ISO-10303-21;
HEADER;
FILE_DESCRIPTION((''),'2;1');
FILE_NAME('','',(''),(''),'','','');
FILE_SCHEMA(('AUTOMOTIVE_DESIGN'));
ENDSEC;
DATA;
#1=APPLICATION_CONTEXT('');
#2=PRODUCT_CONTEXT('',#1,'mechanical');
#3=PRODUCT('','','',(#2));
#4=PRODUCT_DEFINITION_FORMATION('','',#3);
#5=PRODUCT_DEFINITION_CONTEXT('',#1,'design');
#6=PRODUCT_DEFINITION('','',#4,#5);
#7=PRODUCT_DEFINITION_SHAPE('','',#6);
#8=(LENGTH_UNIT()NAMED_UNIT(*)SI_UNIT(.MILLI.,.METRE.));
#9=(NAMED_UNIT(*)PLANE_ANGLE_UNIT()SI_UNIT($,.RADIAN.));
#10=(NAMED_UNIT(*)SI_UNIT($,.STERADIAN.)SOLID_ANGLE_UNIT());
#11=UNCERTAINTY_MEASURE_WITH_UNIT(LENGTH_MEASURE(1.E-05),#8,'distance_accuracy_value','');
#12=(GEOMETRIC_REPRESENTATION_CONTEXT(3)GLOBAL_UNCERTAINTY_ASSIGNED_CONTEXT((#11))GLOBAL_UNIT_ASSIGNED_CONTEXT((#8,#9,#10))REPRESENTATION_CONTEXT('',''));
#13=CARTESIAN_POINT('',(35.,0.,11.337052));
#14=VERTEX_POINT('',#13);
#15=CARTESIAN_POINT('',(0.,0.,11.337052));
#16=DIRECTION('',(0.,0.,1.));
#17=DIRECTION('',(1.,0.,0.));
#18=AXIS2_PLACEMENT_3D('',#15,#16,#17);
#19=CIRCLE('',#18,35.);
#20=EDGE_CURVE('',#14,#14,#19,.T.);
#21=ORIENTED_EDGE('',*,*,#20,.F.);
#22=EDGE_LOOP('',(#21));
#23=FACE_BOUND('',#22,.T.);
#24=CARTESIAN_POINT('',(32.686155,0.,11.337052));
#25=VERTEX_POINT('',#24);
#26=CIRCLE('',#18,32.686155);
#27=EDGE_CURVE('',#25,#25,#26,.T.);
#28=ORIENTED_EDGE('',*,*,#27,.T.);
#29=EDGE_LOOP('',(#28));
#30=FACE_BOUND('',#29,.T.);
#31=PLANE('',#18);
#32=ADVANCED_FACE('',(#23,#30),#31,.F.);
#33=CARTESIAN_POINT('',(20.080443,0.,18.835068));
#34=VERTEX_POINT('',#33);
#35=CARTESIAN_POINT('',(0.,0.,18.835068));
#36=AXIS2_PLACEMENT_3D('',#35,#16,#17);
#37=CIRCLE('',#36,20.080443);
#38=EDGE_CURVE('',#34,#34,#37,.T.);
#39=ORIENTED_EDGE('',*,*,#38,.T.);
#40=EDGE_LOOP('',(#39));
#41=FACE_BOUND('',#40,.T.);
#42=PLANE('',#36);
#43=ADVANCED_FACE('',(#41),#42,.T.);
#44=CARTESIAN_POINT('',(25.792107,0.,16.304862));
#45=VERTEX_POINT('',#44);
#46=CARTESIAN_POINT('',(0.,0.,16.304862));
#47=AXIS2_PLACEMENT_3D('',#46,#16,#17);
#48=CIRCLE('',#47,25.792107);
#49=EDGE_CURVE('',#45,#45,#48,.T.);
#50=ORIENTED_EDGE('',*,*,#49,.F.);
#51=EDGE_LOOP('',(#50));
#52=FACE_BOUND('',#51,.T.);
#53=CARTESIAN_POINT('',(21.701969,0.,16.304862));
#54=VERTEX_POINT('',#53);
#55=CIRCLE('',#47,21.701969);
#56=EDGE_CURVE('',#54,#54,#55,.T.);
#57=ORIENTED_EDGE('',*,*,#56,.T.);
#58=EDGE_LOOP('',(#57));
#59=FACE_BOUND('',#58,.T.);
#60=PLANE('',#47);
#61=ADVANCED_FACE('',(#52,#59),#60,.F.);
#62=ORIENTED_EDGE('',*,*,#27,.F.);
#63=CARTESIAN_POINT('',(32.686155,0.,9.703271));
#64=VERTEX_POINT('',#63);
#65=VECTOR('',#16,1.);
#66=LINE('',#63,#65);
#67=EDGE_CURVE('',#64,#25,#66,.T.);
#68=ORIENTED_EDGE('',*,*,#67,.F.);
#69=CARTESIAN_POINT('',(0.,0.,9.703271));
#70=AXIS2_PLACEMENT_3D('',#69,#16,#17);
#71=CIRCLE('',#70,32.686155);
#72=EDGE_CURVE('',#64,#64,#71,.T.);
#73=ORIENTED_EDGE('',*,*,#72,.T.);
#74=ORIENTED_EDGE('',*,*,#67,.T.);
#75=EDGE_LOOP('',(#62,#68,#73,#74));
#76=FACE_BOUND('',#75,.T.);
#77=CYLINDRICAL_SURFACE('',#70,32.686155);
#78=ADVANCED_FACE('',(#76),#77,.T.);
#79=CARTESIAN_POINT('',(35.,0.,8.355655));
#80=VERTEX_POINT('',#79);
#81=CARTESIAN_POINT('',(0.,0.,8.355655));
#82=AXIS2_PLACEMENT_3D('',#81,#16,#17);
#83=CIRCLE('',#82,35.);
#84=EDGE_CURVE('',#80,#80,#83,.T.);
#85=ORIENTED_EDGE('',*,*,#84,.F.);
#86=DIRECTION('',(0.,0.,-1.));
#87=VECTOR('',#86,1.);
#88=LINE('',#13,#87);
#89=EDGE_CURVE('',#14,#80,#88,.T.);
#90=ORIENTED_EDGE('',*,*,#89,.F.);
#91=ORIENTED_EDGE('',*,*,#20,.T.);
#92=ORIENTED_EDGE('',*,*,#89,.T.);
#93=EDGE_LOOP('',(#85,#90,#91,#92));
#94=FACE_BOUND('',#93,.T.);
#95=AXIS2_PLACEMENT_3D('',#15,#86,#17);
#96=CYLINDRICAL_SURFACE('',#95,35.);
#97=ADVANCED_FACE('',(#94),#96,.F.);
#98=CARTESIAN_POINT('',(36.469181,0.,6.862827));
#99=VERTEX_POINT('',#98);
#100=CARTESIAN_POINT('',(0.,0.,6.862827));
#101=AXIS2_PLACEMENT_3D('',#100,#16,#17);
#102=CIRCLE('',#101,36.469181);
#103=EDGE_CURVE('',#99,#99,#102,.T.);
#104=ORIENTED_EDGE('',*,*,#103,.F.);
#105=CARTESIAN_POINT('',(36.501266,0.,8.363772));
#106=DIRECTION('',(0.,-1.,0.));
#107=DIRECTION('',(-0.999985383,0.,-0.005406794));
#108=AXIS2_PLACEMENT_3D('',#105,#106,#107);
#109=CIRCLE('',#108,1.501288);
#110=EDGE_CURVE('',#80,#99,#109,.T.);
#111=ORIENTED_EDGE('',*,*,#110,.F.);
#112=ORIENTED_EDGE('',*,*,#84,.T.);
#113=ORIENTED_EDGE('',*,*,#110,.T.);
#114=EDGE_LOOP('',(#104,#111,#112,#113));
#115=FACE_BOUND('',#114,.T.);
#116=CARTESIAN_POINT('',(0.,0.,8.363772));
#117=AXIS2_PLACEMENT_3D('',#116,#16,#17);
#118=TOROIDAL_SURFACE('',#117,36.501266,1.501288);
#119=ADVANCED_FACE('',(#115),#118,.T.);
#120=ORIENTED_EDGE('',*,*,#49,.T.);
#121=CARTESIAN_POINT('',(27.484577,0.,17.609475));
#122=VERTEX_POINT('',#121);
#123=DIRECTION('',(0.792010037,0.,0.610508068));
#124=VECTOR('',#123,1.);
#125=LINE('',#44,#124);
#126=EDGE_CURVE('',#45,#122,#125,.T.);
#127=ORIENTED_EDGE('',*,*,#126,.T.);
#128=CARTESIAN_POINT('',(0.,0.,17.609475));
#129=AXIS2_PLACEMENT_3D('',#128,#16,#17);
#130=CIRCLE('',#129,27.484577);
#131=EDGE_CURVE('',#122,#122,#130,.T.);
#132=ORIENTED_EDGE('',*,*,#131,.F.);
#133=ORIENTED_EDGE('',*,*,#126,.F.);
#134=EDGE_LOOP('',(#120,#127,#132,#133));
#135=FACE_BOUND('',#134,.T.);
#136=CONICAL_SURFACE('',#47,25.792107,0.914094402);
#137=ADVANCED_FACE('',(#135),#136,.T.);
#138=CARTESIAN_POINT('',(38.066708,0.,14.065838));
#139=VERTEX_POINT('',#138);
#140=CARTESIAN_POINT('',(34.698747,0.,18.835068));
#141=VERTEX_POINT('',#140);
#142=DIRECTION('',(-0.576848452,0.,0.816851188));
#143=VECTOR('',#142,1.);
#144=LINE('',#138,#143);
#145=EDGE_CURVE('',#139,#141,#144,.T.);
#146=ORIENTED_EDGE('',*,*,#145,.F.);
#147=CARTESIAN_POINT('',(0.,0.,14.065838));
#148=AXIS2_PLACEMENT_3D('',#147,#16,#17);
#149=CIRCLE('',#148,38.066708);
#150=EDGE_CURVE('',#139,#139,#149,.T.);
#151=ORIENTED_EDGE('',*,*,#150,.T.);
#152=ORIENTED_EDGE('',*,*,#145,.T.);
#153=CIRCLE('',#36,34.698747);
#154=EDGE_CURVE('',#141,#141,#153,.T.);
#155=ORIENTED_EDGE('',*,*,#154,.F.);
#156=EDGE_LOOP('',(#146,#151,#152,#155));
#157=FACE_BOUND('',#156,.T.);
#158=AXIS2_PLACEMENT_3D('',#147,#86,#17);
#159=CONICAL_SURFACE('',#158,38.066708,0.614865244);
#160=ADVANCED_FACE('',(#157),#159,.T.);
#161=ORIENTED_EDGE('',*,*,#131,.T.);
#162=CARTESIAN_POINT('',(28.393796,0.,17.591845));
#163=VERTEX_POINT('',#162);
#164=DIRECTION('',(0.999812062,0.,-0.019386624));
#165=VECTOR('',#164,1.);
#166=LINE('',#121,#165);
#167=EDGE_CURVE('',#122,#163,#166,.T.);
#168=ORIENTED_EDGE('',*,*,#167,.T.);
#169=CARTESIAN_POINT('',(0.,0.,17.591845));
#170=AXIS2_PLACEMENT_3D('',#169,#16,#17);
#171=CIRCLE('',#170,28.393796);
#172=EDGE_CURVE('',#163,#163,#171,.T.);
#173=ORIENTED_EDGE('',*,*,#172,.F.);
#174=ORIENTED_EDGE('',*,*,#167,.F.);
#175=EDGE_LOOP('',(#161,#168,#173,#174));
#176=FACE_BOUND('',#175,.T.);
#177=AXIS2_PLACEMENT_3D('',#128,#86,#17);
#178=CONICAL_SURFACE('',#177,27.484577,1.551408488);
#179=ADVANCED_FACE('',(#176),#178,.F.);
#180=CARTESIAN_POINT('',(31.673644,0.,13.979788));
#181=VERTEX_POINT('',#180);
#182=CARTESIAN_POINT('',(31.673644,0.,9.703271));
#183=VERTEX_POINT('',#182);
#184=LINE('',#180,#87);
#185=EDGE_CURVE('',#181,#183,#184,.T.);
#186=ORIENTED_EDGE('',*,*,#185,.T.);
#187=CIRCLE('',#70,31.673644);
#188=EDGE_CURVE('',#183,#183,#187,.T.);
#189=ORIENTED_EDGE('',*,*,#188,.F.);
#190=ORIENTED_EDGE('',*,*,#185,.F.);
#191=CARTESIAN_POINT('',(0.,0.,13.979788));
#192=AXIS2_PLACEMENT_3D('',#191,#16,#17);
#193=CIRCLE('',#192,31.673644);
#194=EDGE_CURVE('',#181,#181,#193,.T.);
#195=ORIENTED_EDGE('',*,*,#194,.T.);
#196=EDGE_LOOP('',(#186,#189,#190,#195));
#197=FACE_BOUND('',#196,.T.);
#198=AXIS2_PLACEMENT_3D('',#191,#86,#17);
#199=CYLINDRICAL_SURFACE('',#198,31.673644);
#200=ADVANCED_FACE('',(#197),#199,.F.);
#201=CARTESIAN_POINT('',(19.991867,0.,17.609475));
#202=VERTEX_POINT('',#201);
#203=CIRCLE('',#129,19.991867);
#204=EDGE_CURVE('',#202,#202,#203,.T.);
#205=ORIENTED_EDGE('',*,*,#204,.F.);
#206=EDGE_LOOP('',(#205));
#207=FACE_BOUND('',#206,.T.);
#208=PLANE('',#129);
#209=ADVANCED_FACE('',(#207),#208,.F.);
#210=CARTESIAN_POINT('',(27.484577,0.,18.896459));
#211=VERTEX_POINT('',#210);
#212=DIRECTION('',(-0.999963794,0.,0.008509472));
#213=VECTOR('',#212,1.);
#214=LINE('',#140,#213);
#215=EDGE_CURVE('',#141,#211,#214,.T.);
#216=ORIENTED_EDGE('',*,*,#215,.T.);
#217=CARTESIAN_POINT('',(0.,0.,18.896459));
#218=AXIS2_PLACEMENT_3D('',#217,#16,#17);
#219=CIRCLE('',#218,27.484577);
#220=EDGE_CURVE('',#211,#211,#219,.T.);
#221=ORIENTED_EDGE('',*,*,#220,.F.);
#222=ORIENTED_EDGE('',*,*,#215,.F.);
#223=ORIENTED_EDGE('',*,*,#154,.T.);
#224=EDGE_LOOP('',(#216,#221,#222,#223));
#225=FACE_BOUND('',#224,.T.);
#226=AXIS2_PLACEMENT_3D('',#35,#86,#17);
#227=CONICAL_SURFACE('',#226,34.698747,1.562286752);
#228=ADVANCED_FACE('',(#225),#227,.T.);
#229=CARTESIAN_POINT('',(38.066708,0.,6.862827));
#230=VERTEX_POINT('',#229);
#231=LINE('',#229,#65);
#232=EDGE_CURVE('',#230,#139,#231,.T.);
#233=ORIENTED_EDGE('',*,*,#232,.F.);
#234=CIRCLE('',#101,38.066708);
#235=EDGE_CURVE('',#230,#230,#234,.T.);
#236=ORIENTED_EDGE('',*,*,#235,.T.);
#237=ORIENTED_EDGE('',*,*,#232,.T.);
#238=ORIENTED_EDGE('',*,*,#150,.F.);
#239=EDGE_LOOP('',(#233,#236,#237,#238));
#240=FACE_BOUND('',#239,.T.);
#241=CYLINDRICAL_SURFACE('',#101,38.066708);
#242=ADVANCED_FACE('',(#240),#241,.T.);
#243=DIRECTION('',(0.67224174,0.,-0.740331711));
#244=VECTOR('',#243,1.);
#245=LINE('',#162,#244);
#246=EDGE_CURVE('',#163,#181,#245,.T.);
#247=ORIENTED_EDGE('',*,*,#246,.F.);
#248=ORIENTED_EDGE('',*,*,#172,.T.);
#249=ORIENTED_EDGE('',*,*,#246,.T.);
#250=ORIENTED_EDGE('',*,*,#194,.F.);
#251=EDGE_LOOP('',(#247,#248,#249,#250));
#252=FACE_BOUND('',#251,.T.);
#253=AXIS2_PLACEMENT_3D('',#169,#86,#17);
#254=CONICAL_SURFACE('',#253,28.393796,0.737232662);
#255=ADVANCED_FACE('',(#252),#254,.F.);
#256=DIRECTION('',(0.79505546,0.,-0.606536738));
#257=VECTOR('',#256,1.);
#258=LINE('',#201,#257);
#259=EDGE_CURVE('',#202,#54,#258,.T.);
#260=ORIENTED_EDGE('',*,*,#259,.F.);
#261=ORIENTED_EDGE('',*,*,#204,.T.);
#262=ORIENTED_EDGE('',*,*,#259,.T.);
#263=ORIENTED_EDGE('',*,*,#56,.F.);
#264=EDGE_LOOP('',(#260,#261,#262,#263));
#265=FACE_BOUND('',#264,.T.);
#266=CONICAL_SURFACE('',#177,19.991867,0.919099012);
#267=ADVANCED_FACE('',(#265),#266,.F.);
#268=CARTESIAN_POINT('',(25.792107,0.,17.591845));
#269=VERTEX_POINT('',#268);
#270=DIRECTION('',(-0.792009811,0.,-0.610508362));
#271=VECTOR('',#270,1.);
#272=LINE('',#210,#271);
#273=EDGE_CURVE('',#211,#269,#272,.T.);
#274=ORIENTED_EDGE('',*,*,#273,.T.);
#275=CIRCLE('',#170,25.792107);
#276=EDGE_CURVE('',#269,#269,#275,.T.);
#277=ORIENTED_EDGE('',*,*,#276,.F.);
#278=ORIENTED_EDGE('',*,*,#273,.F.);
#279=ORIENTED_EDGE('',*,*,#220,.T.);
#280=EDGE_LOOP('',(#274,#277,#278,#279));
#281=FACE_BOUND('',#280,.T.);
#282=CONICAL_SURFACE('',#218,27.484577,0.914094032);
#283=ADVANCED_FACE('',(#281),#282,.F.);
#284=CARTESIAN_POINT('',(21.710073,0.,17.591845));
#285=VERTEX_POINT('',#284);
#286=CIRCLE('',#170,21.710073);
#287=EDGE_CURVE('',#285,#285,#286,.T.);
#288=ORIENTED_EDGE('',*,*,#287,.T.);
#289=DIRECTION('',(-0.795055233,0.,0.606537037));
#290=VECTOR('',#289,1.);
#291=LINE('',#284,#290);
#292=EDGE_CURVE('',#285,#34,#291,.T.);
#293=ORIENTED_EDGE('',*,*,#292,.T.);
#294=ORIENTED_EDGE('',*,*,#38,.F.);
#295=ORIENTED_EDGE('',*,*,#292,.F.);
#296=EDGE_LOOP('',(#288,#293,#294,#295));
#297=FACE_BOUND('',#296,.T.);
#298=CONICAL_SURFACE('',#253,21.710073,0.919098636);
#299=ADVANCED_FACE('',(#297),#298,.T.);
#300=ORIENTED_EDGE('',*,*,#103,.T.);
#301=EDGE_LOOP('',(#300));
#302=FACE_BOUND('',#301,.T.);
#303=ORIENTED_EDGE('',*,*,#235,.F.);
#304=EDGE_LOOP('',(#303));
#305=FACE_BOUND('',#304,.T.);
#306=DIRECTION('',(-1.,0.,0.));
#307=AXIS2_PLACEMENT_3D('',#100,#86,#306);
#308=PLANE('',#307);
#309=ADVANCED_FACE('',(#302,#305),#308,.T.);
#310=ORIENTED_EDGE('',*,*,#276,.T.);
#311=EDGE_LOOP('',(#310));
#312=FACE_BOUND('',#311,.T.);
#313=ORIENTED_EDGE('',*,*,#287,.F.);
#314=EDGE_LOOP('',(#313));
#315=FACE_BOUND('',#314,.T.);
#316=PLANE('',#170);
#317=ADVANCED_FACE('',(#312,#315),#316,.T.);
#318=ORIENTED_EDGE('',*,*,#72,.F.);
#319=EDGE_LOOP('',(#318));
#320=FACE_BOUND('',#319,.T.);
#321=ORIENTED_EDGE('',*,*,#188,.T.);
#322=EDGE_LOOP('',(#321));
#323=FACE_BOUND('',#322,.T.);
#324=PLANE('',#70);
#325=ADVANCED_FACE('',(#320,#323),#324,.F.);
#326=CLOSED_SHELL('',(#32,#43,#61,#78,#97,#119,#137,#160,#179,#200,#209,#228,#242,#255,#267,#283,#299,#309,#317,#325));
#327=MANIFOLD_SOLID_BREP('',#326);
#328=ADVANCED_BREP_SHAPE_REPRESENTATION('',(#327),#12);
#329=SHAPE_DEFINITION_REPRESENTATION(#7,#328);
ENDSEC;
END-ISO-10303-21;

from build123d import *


with BuildPart() as f1:
    # F0 (on Front) → F1 (revolve)
    with BuildSketch(Plane.XZ):
        with BuildLine():
            Line((0, 18.835068), (0, 17.609475))
            Line((0, 17.609475), (19.991867, 17.609475))
            Line((19.991867, 17.609475), (21.701969, 16.304862))
            Line((21.701969, 16.304862), (25.792107, 16.304862))
            Line((25.792107, 16.304862), (27.484577, 17.609475))
            Line((27.484577, 17.609475), (28.393796, 17.591845))
            Line((28.393796, 17.591845), (31.673644, 13.979788))
            Line((31.673644, 13.979788), (31.673644, 9.703271))
            Line((31.673644, 9.703271), (32.315951, 9.703271))
            Line((32.315951, 9.703271), (32.686155, 9.703271))
            Line((32.686155, 9.703271), (32.686155, 11.337052))
            Line((32.686155, 11.337052), (33.010233, 11.337052))
            Line((33.010233, 11.337052), (35, 11.337052))
            Line((35, 11.337052), (35, 11))
            Line((35, 11), (35, 8.371891))
            Line((35, 8.371891), (35, 8.355655))
            ThreePointArc((35, 8.355655), (35.431254, 7.31071), (36.469181, 6.862827))
            Line((36.469181, 6.862827), (36.533354, 6.862827))
            Line((36.533354, 6.862827), (38.066708, 6.862827))
            Line((38.066708, 6.862827), (38.066708, 14.065838))
            Line((38.066708, 14.065838), (34.698747, 18.835068))
            Line((34.698747, 18.835068), (27.484577, 18.896459))
            Line((27.484577, 18.896459), (25.792107, 17.591845))
            Line((25.792107, 17.591845), (21.710073, 17.591845))
            Line((21.710073, 17.591845), (20.080443, 18.835068))
            Line((20.080443, 18.835068), (0, 18.835068))
        make_face()
    revolve(axis=Axis((0, 0, 9.957263), (0, 0, 1)))


solid = f1.part
